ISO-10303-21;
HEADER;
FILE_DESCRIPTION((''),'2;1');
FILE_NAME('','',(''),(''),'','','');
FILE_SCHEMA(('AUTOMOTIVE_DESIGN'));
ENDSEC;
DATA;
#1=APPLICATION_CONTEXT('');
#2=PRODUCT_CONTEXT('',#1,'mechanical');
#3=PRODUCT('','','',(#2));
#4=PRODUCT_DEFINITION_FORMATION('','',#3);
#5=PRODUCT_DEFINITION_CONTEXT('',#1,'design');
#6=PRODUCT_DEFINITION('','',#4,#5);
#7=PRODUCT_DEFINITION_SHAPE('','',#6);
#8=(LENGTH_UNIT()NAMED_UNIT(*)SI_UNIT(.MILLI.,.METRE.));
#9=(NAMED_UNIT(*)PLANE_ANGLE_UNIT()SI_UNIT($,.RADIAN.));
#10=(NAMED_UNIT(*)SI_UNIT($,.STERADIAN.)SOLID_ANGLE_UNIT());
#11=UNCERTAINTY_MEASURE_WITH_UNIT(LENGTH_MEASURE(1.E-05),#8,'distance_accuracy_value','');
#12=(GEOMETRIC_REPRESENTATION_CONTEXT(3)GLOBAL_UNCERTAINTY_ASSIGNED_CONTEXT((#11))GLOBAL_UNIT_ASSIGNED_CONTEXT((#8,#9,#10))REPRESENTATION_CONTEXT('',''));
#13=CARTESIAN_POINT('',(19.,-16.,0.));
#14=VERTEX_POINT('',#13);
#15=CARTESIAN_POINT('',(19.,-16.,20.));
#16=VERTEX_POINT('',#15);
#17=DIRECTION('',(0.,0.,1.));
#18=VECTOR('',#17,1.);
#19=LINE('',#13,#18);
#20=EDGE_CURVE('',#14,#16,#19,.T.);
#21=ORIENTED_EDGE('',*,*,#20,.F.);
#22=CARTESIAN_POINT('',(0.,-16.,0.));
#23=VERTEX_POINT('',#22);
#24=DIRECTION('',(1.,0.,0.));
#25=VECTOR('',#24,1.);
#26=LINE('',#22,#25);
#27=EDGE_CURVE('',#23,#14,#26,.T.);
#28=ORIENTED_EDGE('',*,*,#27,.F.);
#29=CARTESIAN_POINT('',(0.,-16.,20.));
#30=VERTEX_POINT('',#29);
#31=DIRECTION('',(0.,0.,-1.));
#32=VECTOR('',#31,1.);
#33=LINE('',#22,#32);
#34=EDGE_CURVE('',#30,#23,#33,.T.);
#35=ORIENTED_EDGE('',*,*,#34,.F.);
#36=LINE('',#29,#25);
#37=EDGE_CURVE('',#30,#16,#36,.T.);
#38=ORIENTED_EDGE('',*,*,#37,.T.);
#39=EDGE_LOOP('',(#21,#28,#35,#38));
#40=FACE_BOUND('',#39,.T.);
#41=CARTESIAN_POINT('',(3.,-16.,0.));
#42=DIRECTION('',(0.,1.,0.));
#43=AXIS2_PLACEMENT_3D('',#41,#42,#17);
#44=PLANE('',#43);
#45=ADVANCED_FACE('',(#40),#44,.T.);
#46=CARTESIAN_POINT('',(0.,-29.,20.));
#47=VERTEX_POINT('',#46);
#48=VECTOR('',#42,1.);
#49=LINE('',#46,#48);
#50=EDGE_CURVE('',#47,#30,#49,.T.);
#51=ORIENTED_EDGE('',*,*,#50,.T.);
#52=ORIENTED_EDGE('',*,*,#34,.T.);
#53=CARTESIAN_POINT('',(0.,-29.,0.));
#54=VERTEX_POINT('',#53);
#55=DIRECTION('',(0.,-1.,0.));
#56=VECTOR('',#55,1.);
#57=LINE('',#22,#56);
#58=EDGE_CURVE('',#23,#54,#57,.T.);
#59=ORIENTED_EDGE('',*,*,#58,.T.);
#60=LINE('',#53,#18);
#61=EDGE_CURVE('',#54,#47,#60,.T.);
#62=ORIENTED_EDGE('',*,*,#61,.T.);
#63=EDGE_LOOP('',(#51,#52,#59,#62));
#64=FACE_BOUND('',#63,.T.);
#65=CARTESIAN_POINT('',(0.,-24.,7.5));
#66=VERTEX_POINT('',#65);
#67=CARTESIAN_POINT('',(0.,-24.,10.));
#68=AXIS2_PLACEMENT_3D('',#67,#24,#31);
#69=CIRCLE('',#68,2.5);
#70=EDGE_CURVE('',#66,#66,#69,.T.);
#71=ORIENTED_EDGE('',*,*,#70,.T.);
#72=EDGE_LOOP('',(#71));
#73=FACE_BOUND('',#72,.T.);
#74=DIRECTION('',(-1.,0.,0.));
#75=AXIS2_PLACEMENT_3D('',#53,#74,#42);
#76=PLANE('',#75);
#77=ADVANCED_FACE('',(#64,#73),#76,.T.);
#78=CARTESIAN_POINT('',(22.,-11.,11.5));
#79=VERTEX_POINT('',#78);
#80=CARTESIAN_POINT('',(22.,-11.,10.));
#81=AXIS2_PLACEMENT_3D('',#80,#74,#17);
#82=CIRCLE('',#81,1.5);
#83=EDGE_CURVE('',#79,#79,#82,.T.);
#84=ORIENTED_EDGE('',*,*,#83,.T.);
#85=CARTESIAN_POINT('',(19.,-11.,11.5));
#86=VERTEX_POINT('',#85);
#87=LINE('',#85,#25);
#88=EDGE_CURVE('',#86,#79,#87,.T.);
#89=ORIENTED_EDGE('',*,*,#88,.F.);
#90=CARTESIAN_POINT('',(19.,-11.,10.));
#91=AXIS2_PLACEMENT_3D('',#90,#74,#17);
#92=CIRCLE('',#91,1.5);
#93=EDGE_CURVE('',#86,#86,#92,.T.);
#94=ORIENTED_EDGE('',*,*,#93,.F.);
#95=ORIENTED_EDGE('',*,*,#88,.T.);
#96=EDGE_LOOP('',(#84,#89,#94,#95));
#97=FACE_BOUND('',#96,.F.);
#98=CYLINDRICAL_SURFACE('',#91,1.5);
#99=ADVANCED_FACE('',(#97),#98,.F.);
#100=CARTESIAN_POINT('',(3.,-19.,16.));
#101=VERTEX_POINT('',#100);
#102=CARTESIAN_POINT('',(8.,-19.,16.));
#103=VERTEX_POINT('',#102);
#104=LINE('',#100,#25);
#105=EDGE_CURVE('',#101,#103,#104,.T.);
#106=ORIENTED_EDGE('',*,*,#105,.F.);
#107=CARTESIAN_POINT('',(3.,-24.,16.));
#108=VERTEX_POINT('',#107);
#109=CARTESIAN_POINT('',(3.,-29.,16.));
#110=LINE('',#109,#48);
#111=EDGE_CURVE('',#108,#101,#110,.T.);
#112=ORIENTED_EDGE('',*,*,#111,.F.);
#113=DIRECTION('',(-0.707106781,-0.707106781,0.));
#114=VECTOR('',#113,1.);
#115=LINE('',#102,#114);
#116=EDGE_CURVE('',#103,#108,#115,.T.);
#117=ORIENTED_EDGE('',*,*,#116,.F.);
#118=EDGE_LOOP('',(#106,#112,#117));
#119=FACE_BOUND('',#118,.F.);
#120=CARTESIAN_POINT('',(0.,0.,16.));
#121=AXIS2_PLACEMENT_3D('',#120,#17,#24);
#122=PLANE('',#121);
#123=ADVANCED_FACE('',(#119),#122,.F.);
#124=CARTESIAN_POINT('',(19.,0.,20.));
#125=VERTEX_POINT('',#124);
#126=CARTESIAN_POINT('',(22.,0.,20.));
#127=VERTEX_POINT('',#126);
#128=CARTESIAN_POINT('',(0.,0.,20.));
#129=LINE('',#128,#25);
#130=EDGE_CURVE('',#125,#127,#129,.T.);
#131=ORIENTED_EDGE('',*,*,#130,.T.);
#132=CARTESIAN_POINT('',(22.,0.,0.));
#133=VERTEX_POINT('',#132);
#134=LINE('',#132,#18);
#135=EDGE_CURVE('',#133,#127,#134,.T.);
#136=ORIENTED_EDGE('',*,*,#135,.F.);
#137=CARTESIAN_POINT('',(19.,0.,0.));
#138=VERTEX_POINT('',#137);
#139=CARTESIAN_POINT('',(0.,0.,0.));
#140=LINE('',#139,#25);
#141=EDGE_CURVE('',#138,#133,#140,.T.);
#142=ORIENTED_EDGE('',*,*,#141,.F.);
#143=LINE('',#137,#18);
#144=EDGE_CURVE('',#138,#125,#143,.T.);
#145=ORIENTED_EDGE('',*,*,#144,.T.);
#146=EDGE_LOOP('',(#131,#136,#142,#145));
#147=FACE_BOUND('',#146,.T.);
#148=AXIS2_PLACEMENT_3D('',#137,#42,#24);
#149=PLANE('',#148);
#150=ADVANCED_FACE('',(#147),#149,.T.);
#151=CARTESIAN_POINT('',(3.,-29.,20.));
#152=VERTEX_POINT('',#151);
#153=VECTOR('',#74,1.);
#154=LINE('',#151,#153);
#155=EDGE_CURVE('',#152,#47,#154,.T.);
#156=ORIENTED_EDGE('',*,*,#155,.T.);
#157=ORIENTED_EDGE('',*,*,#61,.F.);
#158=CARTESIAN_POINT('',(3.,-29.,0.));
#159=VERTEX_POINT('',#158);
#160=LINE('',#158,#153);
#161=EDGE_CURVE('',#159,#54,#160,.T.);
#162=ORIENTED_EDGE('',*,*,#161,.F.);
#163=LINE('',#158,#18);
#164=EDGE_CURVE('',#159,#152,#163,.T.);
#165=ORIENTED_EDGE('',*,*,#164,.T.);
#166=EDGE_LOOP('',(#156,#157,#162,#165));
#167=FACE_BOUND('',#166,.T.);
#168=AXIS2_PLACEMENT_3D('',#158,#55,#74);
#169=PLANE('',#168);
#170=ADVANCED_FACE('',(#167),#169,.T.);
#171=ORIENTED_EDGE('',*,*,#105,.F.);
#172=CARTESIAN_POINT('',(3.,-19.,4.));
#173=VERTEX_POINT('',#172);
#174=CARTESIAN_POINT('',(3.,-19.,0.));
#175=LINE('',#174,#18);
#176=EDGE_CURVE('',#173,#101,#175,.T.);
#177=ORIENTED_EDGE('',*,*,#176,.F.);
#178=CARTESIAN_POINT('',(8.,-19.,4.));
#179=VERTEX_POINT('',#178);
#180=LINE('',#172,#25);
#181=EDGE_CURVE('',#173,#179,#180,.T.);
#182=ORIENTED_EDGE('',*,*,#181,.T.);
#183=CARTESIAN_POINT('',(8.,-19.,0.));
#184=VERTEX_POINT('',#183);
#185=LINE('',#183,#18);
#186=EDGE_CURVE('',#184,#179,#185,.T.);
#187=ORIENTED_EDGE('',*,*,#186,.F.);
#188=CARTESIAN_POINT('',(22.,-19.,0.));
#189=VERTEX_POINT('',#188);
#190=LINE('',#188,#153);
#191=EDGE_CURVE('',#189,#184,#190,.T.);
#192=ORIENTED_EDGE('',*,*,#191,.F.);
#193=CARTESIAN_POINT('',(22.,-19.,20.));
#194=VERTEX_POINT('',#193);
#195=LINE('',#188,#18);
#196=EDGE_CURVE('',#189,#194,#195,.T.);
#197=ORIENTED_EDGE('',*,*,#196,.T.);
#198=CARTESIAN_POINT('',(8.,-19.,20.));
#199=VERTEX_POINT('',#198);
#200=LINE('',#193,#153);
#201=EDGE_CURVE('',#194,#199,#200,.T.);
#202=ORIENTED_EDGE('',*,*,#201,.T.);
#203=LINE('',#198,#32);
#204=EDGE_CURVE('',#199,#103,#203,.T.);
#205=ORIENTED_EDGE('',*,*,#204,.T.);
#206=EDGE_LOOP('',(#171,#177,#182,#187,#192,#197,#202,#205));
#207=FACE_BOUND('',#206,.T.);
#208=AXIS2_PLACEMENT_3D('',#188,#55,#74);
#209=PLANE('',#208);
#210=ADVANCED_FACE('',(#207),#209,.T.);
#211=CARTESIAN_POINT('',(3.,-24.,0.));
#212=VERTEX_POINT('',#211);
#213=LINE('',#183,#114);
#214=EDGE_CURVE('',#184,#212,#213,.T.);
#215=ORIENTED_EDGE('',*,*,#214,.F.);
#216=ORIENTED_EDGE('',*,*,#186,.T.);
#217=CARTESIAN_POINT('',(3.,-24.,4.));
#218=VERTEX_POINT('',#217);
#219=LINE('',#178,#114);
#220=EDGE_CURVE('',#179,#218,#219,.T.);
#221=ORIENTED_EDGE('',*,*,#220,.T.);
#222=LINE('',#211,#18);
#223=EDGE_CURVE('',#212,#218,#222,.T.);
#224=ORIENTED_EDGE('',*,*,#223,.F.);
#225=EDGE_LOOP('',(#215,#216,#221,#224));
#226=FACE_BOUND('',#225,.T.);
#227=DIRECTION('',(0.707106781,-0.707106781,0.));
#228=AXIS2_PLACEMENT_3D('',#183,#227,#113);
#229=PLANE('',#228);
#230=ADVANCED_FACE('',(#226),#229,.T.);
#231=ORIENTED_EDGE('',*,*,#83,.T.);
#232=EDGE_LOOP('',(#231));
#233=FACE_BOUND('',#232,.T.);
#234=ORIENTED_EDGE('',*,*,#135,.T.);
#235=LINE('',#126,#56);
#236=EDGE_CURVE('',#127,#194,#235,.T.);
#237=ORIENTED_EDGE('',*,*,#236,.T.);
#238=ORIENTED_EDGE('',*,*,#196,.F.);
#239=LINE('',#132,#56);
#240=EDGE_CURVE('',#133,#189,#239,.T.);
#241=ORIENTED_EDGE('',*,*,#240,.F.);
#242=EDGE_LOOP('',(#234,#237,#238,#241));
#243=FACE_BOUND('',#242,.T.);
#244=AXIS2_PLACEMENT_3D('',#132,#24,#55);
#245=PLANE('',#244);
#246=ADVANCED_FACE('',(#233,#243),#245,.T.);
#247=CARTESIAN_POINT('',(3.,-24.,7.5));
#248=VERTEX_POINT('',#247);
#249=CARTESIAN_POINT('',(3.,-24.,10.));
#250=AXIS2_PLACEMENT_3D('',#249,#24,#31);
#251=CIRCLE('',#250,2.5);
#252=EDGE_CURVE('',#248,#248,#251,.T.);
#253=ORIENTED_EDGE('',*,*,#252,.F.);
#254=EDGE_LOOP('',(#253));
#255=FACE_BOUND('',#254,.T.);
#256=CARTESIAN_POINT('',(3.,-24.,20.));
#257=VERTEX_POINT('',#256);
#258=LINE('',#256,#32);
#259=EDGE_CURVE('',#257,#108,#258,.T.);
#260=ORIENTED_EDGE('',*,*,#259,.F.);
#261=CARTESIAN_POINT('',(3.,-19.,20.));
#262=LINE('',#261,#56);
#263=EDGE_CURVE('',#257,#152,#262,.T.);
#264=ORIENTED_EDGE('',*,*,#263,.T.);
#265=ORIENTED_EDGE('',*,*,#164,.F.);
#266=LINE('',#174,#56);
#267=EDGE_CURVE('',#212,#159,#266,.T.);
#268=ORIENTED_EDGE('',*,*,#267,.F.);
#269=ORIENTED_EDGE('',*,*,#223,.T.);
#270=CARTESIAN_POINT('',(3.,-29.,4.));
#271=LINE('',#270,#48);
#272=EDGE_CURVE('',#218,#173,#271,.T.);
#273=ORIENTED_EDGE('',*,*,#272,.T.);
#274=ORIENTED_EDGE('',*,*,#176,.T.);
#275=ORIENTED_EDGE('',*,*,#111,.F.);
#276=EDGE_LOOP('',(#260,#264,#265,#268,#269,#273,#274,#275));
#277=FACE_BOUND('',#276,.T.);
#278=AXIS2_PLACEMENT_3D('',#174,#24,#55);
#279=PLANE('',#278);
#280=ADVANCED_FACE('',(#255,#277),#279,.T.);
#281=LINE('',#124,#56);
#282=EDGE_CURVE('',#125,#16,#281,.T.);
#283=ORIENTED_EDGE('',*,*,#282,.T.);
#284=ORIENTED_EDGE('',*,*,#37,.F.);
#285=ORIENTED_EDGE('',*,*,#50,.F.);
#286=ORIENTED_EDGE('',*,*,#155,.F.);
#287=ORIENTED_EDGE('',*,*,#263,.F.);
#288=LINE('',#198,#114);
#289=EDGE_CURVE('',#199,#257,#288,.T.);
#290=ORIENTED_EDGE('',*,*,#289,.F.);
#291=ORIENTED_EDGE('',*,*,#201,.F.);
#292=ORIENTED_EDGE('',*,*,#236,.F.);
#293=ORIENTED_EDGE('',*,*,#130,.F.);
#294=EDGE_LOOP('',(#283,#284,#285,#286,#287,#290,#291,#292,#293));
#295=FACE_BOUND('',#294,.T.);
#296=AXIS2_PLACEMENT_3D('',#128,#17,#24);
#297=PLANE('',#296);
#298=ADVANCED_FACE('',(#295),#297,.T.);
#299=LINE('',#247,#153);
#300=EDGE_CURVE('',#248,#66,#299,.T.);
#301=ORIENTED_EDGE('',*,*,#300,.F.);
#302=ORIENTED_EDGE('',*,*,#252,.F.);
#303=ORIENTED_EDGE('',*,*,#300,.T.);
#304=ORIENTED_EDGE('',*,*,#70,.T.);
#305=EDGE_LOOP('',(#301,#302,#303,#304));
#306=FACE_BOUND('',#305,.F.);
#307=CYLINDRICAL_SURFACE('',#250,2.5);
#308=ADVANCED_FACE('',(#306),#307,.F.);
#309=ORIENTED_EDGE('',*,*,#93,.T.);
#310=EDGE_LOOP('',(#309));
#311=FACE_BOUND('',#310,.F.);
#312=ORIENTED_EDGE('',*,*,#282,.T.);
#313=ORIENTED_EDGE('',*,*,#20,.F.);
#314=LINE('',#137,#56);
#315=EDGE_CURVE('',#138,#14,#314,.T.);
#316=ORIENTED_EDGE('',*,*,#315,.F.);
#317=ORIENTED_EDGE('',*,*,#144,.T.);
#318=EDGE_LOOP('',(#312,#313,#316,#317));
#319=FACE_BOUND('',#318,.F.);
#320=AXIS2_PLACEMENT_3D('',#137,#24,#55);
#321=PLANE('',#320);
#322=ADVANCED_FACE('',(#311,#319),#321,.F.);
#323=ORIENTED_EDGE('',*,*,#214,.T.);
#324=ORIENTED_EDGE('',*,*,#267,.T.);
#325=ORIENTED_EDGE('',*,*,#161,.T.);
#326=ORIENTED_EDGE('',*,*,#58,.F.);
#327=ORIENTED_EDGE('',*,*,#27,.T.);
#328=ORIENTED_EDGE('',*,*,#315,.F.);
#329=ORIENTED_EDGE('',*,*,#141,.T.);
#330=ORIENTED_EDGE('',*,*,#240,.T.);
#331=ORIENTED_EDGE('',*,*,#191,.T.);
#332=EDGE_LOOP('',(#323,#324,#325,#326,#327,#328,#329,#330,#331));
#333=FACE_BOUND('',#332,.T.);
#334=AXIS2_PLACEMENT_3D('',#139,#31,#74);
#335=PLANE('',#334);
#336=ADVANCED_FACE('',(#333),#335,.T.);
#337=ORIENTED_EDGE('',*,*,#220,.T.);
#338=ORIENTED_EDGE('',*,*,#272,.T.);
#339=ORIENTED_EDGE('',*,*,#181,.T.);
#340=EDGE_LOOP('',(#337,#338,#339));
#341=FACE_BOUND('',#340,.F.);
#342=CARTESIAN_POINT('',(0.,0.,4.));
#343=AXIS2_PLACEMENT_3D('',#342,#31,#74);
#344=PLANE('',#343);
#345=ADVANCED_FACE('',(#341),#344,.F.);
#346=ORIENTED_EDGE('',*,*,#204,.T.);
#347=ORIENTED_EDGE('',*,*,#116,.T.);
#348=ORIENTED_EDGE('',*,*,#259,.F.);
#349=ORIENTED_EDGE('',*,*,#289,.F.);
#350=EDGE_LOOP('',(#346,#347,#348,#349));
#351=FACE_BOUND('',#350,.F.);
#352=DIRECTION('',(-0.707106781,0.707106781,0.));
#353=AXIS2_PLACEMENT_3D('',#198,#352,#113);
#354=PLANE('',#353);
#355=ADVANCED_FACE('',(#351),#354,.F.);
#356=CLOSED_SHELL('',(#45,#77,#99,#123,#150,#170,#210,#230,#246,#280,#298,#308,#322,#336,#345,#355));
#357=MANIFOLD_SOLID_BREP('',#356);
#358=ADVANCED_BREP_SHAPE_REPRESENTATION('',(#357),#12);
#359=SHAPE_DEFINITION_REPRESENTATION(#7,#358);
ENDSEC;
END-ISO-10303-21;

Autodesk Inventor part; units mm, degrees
ref_plane "YZ Plane" through (0, 0, 0) normal (1, 0, 0) x (0, 1, 0)
ref_plane "XZ Plane" through (0, 0, 0) normal (0, 1, 0) x (-1, 0, 0)
ref_plane "XY Plane" through (0, 0, 0) normal (0, 0, 1) x (1, 0, 0)
sketch "Sketch1" plane through (0, 0, 0) normal (0, 0, 1) x (1, 0, 0)
  line L0 (0, 0) -> (22, 0)
  line L1 (22, 0) -> (22, -19)
  line L2 (22, -19) -> (0, -19)
  line L3 (0, -19) -> (0, 0)
  line L4 (3, 0) -> (19, 0)
  line L5 (19, 0) -> (19, -16)
  line L6 (19, -16) -> (3, -16)
  line L7 (3, -16) -> (3, 0)
  dimension "d0" = 22
  dimension "d1" = 19
  dimension "d2" = 3
  dimension "d3" = 3
  dimension "d4" = 3
extrude "Extrusion1" add sketch "Sketch1" along normal blind 20 contours L0 L7 L6 L5 L1 L2 L3
sketch "Sketch4" plane through (3, -16, 0) normal (1, 0, 0) x (0, 0, -1)
  line L0 (-20, 0) -> (-20, 16) projected
  line L1 (0, 0) -> (-20, 0)
  line L2 (-20, 0) -> (-20, 16)
  line L3 (-20, 16) -> (0, 16)
  line L4 (0, 16) -> (0, 0)
extrude "Extrusion4" cut sketch "Sketch4" against normal through all
sketch "Sketch5" plane through (0, 0, 0) normal (0, 0, -1) x (-1, 0, 0)
  line L0 (0, -19) -> (-22, -19) projected
  line L1 (0, -19) -> (-3, -19)
  line L2 (-3, -19) -> (-3, -29)
  line L3 (-3, -29) -> (0, -29)
  line L4 (0, -29) -> (0, -19)
  point P0 (0, 0)
  dimension "d17" = 3
  dimension "d18" = 10
extrude "Extrusion5" add sketch "Sketch5" against normal blind 20
sketch "Sketch6" plane through (3, -29, 0) normal (1, 0, 0) x (0, 0, -1)
  line L0 (0, 10) -> (-20, 10) projected
  line L1 (0, 10) -> (0, 0) projected
  circle A0 centre (-10, 5) radius 2.5
  point P0 (0, 29)
  dimension "d21" = 5
  dimension "d22" = 10
  dimension "d23" = 5
extrude "Extrusion6" cut sketch "Sketch6" against normal through all
sketch "Sketch7" plane through (0, 0, 0) normal (0, 0, -1) x (-1, 0, 0)
  line L0 (-3, -19) -> (-22, -19) projected
  line L1 (-3, -29) -> (-3, -19) projected
  line L2 (-8, -19) -> (-3, -24)
  point P0 (0, 0)
  dimension "d26" = 5
  dimension "d27" = 5
extrude "Extrusion7" add sketch "Sketch7" against normal blind 4
sketch "Sketch8" plane through (0, 0, 20) normal (0, 0, 1) x (1, 0, 0)
  line L0 (3, -19) -> (22, -19) projected
  line L1 (3, -29) -> (3, -19) projected
  line L2 (8, -19) -> (3, -24)
  point P0 (0, 0)
  dimension "d30" = 5
  dimension "d31" = 5
extrude "Extrusion8" add sketch "Sketch8" against normal blind 4
sketch "Sketch9" plane through (19, -16, 0) normal (-1, 0, 0) x (0, 0, 1)
  line L0 (0, 16) -> (0, 0) projected
  line L1 (0, 0) -> (20, 0) projected
  circle A0 centre (10, 5) radius 1.5
  dimension "d34" = 10
  dimension "d35" = 5
  dimension "d36" = 3
extrude "Extrusion9" cut sketch "Sketch9" against normal through all
equation "\"d3\" = d2"
equation "\"d4\" = d2"
equation "\"d27\" = d26"
equation "\"d30\" = d26"
equation "\"d31\" = d30"
properties part number "LED strip mount v02"
